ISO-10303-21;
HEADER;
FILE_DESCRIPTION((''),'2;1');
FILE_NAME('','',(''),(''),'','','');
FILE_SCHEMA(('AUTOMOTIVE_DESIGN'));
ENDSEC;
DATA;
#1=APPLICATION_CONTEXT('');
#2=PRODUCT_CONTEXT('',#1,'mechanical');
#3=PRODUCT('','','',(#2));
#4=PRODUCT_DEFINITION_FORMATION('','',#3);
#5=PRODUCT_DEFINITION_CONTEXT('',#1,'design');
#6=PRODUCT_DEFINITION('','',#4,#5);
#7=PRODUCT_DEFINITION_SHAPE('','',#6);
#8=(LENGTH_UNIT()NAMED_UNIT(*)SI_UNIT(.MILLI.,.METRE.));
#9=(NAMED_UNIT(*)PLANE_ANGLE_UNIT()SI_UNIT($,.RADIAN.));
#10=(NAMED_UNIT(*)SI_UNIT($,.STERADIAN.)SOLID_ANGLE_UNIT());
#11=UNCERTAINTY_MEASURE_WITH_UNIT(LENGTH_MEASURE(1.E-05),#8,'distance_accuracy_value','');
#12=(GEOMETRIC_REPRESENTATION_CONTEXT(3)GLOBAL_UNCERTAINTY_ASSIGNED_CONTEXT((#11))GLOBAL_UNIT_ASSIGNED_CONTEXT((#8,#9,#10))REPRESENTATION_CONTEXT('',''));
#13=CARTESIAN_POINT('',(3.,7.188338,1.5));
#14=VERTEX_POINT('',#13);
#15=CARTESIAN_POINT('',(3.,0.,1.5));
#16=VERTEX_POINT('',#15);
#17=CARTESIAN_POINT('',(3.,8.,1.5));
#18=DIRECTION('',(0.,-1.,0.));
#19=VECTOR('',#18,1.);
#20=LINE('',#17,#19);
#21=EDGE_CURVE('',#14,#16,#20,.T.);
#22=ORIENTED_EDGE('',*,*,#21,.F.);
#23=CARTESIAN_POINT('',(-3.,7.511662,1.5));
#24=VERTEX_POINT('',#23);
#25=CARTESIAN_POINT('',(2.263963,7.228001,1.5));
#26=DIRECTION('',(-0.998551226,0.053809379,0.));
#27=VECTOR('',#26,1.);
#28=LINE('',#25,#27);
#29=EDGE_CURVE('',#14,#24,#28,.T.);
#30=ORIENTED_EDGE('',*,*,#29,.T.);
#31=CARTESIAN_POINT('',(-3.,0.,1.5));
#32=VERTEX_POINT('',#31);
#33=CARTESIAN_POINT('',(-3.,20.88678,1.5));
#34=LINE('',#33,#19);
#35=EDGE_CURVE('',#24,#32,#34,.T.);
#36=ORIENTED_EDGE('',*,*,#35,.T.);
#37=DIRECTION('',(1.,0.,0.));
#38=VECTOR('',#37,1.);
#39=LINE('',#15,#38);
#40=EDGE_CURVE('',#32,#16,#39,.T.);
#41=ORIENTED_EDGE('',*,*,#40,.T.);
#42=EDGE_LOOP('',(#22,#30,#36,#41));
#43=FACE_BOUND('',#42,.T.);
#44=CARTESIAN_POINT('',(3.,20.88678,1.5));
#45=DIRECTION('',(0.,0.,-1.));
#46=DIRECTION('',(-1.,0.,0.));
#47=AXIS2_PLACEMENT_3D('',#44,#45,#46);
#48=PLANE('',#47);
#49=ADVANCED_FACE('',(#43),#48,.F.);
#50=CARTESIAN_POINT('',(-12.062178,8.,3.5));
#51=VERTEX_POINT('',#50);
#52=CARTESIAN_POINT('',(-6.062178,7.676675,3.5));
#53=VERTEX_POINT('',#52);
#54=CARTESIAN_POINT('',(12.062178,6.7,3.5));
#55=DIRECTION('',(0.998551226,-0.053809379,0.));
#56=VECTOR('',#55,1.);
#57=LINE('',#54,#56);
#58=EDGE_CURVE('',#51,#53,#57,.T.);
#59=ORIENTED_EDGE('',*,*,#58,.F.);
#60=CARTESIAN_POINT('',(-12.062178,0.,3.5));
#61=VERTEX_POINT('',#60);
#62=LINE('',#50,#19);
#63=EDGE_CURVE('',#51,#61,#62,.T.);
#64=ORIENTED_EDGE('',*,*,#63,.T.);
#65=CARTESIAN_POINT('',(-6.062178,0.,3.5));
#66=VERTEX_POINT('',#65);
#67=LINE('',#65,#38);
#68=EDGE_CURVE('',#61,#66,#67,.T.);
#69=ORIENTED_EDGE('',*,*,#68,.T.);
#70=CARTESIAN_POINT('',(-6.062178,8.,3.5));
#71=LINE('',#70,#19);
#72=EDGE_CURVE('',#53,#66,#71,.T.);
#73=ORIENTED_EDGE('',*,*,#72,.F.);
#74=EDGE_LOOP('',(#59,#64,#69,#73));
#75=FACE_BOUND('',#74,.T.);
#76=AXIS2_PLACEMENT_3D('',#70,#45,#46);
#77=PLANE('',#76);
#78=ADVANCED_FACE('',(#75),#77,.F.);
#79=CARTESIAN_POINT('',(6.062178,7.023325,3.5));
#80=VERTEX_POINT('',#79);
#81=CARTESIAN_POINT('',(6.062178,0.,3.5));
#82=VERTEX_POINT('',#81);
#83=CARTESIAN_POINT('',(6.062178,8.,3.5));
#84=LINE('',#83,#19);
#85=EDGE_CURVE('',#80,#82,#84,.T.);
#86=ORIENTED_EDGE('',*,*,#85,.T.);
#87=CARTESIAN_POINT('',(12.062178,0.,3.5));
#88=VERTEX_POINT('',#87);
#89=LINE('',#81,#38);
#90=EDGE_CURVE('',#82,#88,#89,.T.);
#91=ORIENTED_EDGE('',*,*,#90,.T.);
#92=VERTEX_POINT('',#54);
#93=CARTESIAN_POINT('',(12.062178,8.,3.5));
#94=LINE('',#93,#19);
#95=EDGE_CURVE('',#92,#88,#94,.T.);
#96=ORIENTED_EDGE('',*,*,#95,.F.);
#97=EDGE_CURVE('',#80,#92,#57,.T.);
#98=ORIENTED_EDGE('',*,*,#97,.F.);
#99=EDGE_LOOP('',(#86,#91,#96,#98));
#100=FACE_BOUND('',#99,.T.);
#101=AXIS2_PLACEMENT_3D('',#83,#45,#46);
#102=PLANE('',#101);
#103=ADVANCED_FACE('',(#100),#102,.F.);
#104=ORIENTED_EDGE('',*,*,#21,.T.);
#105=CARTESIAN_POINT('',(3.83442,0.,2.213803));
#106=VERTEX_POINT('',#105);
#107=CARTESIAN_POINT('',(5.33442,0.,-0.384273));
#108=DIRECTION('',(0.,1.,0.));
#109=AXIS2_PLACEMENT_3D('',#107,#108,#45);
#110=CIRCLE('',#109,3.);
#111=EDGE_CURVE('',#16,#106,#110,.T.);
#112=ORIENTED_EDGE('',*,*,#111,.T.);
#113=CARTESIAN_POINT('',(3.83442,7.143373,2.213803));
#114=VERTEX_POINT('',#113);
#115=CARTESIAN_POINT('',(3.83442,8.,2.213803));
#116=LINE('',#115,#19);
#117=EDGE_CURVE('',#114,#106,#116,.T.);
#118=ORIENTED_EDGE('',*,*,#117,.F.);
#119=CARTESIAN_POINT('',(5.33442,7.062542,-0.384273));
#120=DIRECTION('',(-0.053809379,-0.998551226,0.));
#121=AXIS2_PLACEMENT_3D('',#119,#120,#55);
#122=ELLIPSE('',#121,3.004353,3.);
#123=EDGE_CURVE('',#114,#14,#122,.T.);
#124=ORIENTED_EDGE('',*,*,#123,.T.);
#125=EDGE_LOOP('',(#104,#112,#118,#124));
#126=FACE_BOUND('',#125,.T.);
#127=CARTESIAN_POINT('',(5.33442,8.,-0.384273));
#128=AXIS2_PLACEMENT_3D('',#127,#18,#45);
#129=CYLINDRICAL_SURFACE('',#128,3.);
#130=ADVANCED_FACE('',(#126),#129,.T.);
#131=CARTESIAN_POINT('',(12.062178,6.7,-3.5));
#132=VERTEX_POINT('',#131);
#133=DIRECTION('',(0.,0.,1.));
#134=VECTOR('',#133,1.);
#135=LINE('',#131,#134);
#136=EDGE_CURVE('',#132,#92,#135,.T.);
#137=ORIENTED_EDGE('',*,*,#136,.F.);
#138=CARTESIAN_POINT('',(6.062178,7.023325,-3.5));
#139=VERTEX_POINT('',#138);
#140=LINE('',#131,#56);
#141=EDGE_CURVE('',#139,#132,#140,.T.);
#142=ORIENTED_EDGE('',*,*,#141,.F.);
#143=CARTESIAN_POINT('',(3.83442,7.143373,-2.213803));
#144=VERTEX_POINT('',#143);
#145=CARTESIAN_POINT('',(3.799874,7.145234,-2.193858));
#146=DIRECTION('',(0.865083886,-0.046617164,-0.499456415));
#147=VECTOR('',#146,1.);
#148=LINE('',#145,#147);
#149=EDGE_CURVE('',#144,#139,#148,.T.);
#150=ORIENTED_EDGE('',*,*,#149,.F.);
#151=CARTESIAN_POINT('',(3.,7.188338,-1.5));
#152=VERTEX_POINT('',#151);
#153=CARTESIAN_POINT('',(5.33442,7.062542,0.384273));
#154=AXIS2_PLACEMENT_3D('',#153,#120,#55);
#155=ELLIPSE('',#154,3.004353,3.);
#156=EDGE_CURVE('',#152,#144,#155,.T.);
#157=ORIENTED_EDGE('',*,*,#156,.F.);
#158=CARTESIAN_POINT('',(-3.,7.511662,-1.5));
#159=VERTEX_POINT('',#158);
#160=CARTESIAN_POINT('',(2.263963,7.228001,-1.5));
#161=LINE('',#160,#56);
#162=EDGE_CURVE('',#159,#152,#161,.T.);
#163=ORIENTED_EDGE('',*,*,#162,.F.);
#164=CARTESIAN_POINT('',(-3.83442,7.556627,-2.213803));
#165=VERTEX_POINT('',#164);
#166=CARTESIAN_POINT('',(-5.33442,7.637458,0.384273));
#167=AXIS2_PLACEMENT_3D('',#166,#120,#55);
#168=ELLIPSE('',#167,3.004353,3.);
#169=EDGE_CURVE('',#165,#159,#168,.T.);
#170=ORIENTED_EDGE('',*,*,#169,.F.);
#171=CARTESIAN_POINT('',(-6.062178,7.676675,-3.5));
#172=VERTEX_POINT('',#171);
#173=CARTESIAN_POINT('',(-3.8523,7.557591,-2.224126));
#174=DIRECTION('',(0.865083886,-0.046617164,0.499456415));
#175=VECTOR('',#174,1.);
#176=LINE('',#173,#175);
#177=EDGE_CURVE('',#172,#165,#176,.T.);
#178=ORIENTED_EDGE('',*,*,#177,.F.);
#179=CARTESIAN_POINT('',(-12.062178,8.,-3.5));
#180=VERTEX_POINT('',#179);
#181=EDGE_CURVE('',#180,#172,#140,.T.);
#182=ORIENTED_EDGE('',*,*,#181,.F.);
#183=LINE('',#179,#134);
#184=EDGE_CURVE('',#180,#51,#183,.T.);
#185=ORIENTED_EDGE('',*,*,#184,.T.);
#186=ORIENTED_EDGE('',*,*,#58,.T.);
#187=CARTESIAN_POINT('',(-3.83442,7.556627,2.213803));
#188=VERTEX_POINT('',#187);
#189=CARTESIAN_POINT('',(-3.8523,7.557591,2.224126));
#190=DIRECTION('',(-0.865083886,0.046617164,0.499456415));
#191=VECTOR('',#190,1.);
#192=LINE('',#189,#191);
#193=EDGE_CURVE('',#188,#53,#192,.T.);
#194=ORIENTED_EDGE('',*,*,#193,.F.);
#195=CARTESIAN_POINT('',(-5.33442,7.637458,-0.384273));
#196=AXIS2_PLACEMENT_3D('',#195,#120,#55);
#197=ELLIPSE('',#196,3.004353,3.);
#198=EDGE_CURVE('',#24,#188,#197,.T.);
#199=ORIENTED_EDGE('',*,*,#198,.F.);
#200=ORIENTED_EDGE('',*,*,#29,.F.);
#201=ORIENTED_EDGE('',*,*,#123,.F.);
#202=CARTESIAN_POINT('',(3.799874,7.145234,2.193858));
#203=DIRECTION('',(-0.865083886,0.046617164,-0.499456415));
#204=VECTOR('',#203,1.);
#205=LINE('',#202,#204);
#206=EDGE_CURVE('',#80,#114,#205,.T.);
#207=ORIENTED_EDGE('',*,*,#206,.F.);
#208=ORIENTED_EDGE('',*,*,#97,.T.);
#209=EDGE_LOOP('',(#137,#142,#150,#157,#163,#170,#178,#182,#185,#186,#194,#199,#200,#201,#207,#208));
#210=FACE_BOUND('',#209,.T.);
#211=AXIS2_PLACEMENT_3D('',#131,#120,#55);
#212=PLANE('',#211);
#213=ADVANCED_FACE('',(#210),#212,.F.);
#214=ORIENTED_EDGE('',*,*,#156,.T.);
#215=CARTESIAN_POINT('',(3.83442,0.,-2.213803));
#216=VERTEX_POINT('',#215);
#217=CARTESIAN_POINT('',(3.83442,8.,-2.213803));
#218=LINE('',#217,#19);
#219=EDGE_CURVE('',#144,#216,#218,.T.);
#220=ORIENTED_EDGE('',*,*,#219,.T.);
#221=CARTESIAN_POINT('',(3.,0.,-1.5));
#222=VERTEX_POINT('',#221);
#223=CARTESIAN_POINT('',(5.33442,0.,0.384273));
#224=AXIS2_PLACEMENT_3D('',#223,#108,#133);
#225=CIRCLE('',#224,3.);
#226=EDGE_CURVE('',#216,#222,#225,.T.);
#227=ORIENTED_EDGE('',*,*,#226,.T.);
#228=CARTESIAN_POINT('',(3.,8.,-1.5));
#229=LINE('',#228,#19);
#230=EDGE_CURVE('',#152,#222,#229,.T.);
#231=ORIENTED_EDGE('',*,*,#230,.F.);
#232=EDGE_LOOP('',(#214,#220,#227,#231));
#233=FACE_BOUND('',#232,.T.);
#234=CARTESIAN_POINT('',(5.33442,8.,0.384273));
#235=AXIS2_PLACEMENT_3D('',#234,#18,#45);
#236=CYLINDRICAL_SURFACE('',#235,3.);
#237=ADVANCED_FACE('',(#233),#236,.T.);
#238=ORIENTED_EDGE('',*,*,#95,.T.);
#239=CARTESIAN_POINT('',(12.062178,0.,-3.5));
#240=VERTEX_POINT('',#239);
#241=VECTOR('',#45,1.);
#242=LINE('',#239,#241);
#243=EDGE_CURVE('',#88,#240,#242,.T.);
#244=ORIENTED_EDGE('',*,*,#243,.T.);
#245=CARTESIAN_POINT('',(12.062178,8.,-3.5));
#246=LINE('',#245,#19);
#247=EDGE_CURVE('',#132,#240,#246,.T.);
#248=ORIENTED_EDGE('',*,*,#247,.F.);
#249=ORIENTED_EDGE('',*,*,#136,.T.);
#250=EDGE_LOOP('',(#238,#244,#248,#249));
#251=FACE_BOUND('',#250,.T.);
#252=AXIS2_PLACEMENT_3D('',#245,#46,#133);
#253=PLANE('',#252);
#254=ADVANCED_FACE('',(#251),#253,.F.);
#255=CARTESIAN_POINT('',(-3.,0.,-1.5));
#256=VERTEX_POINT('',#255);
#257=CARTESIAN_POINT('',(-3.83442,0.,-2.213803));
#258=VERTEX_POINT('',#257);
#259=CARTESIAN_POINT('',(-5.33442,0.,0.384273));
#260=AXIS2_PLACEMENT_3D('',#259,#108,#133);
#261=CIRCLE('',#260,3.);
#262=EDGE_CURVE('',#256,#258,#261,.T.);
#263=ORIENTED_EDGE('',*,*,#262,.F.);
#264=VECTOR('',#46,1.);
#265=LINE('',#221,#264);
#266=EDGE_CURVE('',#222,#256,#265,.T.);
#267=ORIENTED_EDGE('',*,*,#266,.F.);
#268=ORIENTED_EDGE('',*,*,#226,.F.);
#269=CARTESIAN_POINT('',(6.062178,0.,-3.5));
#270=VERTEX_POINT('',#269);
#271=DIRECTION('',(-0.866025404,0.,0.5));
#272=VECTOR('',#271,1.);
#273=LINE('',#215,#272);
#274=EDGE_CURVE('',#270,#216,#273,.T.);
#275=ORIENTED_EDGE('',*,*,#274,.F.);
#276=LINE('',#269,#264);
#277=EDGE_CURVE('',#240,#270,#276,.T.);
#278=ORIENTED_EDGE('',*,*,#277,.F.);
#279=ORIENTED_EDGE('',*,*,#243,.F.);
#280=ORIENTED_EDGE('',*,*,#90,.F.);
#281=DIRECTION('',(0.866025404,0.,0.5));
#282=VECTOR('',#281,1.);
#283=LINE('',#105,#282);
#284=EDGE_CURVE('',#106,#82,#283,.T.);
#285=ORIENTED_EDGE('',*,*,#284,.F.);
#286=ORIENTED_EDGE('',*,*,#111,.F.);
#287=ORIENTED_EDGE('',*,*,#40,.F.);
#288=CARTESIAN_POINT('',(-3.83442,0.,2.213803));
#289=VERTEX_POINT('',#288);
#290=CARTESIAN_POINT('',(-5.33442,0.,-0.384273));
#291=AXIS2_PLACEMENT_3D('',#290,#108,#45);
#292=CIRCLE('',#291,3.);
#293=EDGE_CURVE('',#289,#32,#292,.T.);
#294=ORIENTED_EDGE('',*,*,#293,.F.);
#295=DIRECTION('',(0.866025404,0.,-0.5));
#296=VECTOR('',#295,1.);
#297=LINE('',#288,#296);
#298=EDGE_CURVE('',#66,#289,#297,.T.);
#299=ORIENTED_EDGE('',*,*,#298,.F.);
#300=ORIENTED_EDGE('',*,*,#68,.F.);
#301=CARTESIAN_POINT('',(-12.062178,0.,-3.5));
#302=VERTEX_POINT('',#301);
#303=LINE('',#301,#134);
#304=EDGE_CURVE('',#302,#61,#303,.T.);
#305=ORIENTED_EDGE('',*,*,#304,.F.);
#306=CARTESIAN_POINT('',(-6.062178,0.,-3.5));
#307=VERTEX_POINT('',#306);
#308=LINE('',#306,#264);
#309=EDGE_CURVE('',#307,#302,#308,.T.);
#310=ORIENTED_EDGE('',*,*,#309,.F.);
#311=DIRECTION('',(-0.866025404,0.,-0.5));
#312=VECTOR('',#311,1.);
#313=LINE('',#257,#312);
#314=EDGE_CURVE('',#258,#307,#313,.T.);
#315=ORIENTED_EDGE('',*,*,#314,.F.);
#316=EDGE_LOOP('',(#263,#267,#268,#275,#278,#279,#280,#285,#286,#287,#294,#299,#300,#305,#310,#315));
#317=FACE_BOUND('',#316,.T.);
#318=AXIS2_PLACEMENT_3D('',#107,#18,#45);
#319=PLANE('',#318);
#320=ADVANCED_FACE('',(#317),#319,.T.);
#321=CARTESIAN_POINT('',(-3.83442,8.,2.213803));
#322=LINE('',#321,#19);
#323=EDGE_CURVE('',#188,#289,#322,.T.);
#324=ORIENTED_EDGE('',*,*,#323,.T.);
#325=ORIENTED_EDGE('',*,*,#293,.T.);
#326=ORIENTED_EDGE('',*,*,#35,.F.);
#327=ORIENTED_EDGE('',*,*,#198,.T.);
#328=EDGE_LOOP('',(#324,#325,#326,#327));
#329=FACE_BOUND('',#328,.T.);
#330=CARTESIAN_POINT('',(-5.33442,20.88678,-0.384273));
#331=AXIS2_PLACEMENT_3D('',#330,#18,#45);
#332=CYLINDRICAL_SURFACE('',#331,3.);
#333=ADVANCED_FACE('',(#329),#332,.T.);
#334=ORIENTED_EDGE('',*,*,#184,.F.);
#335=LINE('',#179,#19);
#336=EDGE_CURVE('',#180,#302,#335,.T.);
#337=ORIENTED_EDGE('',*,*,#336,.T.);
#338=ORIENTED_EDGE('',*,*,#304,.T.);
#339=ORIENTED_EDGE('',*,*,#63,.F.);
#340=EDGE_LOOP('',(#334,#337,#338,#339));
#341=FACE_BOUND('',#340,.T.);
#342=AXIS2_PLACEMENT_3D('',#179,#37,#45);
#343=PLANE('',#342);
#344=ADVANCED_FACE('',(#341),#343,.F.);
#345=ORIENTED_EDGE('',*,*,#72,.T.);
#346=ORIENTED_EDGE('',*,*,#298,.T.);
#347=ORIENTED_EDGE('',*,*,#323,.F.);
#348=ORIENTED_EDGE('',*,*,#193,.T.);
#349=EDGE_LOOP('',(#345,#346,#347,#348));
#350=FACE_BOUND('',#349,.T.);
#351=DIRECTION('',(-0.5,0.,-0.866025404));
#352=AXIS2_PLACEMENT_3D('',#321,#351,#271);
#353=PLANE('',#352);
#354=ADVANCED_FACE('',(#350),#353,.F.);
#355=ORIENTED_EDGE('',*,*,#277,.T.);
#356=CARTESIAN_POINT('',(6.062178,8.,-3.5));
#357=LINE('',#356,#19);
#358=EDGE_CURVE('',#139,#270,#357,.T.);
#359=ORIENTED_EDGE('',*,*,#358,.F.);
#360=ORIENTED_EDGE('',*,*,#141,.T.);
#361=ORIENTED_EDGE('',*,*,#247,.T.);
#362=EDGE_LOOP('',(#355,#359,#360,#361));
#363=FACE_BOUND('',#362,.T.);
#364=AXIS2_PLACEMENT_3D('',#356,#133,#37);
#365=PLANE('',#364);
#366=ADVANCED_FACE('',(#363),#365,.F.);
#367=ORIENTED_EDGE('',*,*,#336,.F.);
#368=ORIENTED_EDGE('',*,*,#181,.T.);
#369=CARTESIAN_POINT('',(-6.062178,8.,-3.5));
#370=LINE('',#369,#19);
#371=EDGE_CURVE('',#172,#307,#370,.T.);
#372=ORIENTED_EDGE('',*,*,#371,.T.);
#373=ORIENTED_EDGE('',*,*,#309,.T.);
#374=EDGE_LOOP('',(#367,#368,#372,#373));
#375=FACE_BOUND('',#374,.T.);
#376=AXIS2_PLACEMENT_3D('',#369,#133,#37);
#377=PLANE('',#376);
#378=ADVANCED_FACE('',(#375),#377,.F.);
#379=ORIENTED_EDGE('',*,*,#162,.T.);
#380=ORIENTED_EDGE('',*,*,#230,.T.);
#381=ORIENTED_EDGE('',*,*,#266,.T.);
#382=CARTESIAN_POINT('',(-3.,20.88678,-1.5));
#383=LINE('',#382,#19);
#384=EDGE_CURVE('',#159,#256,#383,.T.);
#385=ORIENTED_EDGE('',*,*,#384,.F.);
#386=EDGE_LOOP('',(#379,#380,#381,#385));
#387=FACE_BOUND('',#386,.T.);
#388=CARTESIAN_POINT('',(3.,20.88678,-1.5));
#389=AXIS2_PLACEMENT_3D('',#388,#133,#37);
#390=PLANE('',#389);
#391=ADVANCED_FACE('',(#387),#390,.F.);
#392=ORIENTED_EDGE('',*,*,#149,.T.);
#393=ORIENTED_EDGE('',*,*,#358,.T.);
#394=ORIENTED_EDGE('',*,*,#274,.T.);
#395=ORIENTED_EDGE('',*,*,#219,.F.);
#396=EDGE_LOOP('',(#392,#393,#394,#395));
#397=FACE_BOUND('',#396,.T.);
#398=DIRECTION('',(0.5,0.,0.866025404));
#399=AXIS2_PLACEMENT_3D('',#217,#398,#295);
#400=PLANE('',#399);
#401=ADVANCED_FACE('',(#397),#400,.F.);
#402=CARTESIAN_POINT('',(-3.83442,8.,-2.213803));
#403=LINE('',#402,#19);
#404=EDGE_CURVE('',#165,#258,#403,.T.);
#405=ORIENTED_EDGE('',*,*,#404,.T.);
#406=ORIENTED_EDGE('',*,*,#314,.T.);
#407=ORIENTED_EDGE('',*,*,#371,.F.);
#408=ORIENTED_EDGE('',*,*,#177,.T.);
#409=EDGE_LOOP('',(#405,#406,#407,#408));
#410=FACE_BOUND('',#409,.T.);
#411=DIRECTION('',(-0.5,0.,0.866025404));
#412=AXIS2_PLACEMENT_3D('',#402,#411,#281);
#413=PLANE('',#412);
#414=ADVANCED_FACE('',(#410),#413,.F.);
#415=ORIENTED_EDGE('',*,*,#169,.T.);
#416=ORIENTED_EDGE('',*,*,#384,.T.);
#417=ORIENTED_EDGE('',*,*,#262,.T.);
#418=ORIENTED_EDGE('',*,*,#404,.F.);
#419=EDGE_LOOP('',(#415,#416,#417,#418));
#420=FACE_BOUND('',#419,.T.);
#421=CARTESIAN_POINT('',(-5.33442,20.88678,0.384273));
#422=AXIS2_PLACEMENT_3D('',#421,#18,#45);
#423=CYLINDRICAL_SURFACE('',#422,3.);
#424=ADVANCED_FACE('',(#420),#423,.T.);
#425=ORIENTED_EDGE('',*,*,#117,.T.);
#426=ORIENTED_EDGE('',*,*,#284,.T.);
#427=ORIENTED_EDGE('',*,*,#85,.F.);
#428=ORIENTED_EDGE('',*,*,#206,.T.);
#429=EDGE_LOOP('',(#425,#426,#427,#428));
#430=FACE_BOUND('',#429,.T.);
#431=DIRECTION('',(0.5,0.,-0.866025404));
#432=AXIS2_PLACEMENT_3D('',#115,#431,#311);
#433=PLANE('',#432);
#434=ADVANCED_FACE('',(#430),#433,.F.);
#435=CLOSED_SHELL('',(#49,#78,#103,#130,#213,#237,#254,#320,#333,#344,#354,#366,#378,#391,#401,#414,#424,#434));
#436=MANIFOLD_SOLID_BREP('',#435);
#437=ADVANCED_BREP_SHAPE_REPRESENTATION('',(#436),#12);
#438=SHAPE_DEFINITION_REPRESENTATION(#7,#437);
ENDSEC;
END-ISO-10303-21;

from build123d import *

# Parameters (mm, degrees)
BOSS_EXTRUDE1_DEPTH     = 8
BOSS_EXTRUDE1_2_DEPTH   = 8
BOSS_EXTRUDE2_DEPTH     = 8
CUT_EXTRUDE2_DEPTH      = 15.891142801
CUT_EXTRUDE2_DEPTH_BACK = 15.891142801


with BuildPart() as part:
    # Sketch2 → Boss-Extrude1 (new body)
    with BuildSketch(Plane(origin=(0, 0, 0), x_dir=(1, 0, 0), z_dir=(0, 1, 0))):
        with BuildLine():
            Line((-6.062177826, 3.5), (-12.062177826, 3.5))
            Line((-12.062177826, 3.5), (-12.062177826, -3.5))
            Line((-12.062177826, -3.5), (-6.062177826, -3.5))
            Line((-6.062177826, -3.5), (-3.834419723, -2.213803259))
            ThreePointArc((-3.834419723, -2.213803259), (-3.384272952, -1.895404124), (-3, -1.5))
            Line((-3, -1.5), (-3, 1.5))
            ThreePointArc((-3, 1.5), (-3.384272952, 1.895404124), (-3.834419723, 2.213803259))
            Line((-3.834419723, 2.213803259), (-6.062177826, 3.5))
        make_face()
    extrude(amount=BOSS_EXTRUDE1_DEPTH)



with BuildPart() as body_2:
    # Sketch2 → Boss-Extrude1 2 (new body)
    with BuildSketch(Plane(origin=(0, 0, 0), x_dir=(1, 0, 0), z_dir=(0, 1, 0))):
        with BuildLine():
            Line((3.834419723, 2.213803259), (6.062177826, 3.5))
            Line((6.062177826, 3.5), (12.062177826, 3.5))
            Line((12.062177826, 3.5), (12.062177826, -3.5))
            Line((12.062177826, -3.5), (6.062177826, -3.5))
            Line((6.062177826, -3.5), (3.834419723, -2.213803259))
            ThreePointArc((3.834419723, -2.213803259), (3.384272952, -1.895404124), (3, -1.5))
            Line((3, -1.5), (3, 1.5))
            ThreePointArc((3, 1.5), (3.384272952, 1.895404124), (3.834419723, 2.213803259))
        make_face()
    extrude(amount=BOSS_EXTRUDE1_2_DEPTH)


with BuildPart() as part_1:
    add(part.part)

    add(body_2.part)  # Boss-Extrude2 merges body 2
    # Sketch1 → Boss-Extrude2 (add)
    with BuildSketch(Plane(origin=(0, 0, 0), x_dir=(1, 0, 0), z_dir=(0, 1, 0))):
        with BuildLine():
            Line((3, -1.5), (-3, -1.5))
            ThreePointArc((-3, -1.5), (-3.898777162, -2.249912014), (-5.016117889, -2.598793246))
            ThreePointArc((-5.016117889, -2.598793246), (-5.630991226, -2.399814505), (-5.894085249, -1.809523648))
            Line((-5.894085249, -1.809523648), (-5.894085249, 1.809523648))
            ThreePointArc((-5.894085249, 1.809523648), (-5.630991226, 2.399814505), (-5.016117889, 2.598793246))
            ThreePointArc((-5.016117889, 2.598793246), (-3.898777162, 2.249912014), (-3, 1.5))
            Line((-3, 1.5), (3, 1.5))
            ThreePointArc((3, 1.5), (3.898777162, 2.249912014), (5.016117889, 2.598793246))
            ThreePointArc((5.016117889, 2.598793246), (5.630991226, 2.399814505), (5.894085249, 1.809523648))
            Line((5.894085249, 1.809523648), (5.894085249, -1.809523648))
            ThreePointArc((5.894085249, -1.809523648), (5.630991226, -2.399814505), (5.016117889, -2.598793246))
            ThreePointArc((5.016117889, -2.598793246), (3.898777162, -2.249912014), (3, -1.5))
        make_face()
    extrude(amount=BOSS_EXTRUDE2_DEPTH)

    # Sketch4 → Cut-Extrude2 (cut, two sides: drawn at the far end of the back side and taken through both)
    with BuildSketch(Plane.XY.offset(-CUT_EXTRUDE2_DEPTH_BACK)):
        Polygon((12.062177826, 8), (12.062177826, 6.7), (-12.062177826, 8), align=None)
    extrude(amount=CUT_EXTRUDE2_DEPTH + CUT_EXTRUDE2_DEPTH_BACK, mode=Mode.SUBTRACT)


solid = part_1.part
